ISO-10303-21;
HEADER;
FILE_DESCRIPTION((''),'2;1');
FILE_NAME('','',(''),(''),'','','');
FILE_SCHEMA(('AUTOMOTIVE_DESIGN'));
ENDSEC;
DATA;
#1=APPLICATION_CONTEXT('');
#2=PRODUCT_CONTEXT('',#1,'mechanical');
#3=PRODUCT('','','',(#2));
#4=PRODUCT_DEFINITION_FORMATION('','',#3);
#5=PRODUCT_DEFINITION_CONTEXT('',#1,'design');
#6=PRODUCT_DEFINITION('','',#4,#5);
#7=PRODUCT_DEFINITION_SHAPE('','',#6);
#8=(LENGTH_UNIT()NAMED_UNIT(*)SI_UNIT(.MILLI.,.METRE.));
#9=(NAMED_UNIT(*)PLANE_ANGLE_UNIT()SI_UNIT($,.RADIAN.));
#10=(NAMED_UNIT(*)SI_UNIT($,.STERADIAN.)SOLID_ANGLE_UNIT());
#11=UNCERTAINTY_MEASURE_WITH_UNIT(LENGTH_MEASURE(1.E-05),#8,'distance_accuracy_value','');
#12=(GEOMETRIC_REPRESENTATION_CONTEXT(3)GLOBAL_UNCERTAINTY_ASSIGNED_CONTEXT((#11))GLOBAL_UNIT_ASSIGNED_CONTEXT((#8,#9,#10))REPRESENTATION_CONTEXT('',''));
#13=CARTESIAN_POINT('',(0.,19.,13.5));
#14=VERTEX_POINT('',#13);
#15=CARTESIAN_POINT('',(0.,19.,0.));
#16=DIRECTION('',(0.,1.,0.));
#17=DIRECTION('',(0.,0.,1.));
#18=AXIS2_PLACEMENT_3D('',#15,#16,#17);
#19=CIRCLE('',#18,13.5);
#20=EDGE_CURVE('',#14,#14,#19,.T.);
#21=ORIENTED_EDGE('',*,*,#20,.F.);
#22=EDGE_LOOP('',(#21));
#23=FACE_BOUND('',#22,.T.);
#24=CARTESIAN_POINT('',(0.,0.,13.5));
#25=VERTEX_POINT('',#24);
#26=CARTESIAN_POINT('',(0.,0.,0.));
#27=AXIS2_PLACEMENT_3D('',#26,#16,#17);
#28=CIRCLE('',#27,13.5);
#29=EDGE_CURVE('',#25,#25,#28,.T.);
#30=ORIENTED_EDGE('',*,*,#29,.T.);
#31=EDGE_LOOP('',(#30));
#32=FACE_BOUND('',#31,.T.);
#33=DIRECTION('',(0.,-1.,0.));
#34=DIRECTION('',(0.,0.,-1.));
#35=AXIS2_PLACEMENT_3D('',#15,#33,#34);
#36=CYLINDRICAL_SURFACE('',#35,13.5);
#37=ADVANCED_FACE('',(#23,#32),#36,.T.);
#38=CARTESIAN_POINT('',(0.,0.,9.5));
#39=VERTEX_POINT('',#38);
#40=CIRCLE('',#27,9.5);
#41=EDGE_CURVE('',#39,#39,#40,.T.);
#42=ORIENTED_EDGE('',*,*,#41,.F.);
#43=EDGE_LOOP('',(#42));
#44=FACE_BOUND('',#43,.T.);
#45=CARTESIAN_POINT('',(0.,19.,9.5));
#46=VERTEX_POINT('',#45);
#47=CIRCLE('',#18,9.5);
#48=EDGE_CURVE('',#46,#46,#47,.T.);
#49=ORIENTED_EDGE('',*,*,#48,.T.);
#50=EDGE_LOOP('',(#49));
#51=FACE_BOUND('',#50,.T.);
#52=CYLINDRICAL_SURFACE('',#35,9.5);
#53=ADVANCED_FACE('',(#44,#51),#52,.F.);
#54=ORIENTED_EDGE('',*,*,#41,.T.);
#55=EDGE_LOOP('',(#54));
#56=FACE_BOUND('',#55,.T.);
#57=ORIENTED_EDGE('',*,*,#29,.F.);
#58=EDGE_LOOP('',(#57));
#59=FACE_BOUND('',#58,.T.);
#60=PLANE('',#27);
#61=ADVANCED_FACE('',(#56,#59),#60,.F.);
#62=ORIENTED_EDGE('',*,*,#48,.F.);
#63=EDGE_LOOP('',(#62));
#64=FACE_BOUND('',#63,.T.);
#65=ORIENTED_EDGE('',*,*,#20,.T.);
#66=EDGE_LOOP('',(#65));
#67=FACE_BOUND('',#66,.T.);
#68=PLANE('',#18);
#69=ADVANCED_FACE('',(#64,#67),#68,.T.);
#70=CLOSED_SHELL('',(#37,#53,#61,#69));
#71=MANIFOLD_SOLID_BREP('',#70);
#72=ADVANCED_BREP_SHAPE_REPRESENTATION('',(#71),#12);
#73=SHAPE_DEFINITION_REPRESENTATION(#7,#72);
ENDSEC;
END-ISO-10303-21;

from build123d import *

# Parameters (mm, degrees)
SKETCH_1_R      = 13.5
SKETCH_1_R_2    = 9.5
EXTRUDE_1_DEPTH = 19


with BuildPart() as part:
    # Эскиз1 → Бобышка-Вытянуть1 (new body)
    with BuildSketch(Plane(origin=(0, 0, 0), x_dir=(1, 0, 0), z_dir=(0, 1, 0))):
        with Locations(Location((0, 0, 0), (0, 0, 270))):
            Circle(SKETCH_1_R)
        with Locations(Location((0, 0, 0), (0, 0, 270))):
            Circle(SKETCH_1_R_2, mode=Mode.SUBTRACT)
    extrude(amount=EXTRUDE_1_DEPTH)


solid = part.part
